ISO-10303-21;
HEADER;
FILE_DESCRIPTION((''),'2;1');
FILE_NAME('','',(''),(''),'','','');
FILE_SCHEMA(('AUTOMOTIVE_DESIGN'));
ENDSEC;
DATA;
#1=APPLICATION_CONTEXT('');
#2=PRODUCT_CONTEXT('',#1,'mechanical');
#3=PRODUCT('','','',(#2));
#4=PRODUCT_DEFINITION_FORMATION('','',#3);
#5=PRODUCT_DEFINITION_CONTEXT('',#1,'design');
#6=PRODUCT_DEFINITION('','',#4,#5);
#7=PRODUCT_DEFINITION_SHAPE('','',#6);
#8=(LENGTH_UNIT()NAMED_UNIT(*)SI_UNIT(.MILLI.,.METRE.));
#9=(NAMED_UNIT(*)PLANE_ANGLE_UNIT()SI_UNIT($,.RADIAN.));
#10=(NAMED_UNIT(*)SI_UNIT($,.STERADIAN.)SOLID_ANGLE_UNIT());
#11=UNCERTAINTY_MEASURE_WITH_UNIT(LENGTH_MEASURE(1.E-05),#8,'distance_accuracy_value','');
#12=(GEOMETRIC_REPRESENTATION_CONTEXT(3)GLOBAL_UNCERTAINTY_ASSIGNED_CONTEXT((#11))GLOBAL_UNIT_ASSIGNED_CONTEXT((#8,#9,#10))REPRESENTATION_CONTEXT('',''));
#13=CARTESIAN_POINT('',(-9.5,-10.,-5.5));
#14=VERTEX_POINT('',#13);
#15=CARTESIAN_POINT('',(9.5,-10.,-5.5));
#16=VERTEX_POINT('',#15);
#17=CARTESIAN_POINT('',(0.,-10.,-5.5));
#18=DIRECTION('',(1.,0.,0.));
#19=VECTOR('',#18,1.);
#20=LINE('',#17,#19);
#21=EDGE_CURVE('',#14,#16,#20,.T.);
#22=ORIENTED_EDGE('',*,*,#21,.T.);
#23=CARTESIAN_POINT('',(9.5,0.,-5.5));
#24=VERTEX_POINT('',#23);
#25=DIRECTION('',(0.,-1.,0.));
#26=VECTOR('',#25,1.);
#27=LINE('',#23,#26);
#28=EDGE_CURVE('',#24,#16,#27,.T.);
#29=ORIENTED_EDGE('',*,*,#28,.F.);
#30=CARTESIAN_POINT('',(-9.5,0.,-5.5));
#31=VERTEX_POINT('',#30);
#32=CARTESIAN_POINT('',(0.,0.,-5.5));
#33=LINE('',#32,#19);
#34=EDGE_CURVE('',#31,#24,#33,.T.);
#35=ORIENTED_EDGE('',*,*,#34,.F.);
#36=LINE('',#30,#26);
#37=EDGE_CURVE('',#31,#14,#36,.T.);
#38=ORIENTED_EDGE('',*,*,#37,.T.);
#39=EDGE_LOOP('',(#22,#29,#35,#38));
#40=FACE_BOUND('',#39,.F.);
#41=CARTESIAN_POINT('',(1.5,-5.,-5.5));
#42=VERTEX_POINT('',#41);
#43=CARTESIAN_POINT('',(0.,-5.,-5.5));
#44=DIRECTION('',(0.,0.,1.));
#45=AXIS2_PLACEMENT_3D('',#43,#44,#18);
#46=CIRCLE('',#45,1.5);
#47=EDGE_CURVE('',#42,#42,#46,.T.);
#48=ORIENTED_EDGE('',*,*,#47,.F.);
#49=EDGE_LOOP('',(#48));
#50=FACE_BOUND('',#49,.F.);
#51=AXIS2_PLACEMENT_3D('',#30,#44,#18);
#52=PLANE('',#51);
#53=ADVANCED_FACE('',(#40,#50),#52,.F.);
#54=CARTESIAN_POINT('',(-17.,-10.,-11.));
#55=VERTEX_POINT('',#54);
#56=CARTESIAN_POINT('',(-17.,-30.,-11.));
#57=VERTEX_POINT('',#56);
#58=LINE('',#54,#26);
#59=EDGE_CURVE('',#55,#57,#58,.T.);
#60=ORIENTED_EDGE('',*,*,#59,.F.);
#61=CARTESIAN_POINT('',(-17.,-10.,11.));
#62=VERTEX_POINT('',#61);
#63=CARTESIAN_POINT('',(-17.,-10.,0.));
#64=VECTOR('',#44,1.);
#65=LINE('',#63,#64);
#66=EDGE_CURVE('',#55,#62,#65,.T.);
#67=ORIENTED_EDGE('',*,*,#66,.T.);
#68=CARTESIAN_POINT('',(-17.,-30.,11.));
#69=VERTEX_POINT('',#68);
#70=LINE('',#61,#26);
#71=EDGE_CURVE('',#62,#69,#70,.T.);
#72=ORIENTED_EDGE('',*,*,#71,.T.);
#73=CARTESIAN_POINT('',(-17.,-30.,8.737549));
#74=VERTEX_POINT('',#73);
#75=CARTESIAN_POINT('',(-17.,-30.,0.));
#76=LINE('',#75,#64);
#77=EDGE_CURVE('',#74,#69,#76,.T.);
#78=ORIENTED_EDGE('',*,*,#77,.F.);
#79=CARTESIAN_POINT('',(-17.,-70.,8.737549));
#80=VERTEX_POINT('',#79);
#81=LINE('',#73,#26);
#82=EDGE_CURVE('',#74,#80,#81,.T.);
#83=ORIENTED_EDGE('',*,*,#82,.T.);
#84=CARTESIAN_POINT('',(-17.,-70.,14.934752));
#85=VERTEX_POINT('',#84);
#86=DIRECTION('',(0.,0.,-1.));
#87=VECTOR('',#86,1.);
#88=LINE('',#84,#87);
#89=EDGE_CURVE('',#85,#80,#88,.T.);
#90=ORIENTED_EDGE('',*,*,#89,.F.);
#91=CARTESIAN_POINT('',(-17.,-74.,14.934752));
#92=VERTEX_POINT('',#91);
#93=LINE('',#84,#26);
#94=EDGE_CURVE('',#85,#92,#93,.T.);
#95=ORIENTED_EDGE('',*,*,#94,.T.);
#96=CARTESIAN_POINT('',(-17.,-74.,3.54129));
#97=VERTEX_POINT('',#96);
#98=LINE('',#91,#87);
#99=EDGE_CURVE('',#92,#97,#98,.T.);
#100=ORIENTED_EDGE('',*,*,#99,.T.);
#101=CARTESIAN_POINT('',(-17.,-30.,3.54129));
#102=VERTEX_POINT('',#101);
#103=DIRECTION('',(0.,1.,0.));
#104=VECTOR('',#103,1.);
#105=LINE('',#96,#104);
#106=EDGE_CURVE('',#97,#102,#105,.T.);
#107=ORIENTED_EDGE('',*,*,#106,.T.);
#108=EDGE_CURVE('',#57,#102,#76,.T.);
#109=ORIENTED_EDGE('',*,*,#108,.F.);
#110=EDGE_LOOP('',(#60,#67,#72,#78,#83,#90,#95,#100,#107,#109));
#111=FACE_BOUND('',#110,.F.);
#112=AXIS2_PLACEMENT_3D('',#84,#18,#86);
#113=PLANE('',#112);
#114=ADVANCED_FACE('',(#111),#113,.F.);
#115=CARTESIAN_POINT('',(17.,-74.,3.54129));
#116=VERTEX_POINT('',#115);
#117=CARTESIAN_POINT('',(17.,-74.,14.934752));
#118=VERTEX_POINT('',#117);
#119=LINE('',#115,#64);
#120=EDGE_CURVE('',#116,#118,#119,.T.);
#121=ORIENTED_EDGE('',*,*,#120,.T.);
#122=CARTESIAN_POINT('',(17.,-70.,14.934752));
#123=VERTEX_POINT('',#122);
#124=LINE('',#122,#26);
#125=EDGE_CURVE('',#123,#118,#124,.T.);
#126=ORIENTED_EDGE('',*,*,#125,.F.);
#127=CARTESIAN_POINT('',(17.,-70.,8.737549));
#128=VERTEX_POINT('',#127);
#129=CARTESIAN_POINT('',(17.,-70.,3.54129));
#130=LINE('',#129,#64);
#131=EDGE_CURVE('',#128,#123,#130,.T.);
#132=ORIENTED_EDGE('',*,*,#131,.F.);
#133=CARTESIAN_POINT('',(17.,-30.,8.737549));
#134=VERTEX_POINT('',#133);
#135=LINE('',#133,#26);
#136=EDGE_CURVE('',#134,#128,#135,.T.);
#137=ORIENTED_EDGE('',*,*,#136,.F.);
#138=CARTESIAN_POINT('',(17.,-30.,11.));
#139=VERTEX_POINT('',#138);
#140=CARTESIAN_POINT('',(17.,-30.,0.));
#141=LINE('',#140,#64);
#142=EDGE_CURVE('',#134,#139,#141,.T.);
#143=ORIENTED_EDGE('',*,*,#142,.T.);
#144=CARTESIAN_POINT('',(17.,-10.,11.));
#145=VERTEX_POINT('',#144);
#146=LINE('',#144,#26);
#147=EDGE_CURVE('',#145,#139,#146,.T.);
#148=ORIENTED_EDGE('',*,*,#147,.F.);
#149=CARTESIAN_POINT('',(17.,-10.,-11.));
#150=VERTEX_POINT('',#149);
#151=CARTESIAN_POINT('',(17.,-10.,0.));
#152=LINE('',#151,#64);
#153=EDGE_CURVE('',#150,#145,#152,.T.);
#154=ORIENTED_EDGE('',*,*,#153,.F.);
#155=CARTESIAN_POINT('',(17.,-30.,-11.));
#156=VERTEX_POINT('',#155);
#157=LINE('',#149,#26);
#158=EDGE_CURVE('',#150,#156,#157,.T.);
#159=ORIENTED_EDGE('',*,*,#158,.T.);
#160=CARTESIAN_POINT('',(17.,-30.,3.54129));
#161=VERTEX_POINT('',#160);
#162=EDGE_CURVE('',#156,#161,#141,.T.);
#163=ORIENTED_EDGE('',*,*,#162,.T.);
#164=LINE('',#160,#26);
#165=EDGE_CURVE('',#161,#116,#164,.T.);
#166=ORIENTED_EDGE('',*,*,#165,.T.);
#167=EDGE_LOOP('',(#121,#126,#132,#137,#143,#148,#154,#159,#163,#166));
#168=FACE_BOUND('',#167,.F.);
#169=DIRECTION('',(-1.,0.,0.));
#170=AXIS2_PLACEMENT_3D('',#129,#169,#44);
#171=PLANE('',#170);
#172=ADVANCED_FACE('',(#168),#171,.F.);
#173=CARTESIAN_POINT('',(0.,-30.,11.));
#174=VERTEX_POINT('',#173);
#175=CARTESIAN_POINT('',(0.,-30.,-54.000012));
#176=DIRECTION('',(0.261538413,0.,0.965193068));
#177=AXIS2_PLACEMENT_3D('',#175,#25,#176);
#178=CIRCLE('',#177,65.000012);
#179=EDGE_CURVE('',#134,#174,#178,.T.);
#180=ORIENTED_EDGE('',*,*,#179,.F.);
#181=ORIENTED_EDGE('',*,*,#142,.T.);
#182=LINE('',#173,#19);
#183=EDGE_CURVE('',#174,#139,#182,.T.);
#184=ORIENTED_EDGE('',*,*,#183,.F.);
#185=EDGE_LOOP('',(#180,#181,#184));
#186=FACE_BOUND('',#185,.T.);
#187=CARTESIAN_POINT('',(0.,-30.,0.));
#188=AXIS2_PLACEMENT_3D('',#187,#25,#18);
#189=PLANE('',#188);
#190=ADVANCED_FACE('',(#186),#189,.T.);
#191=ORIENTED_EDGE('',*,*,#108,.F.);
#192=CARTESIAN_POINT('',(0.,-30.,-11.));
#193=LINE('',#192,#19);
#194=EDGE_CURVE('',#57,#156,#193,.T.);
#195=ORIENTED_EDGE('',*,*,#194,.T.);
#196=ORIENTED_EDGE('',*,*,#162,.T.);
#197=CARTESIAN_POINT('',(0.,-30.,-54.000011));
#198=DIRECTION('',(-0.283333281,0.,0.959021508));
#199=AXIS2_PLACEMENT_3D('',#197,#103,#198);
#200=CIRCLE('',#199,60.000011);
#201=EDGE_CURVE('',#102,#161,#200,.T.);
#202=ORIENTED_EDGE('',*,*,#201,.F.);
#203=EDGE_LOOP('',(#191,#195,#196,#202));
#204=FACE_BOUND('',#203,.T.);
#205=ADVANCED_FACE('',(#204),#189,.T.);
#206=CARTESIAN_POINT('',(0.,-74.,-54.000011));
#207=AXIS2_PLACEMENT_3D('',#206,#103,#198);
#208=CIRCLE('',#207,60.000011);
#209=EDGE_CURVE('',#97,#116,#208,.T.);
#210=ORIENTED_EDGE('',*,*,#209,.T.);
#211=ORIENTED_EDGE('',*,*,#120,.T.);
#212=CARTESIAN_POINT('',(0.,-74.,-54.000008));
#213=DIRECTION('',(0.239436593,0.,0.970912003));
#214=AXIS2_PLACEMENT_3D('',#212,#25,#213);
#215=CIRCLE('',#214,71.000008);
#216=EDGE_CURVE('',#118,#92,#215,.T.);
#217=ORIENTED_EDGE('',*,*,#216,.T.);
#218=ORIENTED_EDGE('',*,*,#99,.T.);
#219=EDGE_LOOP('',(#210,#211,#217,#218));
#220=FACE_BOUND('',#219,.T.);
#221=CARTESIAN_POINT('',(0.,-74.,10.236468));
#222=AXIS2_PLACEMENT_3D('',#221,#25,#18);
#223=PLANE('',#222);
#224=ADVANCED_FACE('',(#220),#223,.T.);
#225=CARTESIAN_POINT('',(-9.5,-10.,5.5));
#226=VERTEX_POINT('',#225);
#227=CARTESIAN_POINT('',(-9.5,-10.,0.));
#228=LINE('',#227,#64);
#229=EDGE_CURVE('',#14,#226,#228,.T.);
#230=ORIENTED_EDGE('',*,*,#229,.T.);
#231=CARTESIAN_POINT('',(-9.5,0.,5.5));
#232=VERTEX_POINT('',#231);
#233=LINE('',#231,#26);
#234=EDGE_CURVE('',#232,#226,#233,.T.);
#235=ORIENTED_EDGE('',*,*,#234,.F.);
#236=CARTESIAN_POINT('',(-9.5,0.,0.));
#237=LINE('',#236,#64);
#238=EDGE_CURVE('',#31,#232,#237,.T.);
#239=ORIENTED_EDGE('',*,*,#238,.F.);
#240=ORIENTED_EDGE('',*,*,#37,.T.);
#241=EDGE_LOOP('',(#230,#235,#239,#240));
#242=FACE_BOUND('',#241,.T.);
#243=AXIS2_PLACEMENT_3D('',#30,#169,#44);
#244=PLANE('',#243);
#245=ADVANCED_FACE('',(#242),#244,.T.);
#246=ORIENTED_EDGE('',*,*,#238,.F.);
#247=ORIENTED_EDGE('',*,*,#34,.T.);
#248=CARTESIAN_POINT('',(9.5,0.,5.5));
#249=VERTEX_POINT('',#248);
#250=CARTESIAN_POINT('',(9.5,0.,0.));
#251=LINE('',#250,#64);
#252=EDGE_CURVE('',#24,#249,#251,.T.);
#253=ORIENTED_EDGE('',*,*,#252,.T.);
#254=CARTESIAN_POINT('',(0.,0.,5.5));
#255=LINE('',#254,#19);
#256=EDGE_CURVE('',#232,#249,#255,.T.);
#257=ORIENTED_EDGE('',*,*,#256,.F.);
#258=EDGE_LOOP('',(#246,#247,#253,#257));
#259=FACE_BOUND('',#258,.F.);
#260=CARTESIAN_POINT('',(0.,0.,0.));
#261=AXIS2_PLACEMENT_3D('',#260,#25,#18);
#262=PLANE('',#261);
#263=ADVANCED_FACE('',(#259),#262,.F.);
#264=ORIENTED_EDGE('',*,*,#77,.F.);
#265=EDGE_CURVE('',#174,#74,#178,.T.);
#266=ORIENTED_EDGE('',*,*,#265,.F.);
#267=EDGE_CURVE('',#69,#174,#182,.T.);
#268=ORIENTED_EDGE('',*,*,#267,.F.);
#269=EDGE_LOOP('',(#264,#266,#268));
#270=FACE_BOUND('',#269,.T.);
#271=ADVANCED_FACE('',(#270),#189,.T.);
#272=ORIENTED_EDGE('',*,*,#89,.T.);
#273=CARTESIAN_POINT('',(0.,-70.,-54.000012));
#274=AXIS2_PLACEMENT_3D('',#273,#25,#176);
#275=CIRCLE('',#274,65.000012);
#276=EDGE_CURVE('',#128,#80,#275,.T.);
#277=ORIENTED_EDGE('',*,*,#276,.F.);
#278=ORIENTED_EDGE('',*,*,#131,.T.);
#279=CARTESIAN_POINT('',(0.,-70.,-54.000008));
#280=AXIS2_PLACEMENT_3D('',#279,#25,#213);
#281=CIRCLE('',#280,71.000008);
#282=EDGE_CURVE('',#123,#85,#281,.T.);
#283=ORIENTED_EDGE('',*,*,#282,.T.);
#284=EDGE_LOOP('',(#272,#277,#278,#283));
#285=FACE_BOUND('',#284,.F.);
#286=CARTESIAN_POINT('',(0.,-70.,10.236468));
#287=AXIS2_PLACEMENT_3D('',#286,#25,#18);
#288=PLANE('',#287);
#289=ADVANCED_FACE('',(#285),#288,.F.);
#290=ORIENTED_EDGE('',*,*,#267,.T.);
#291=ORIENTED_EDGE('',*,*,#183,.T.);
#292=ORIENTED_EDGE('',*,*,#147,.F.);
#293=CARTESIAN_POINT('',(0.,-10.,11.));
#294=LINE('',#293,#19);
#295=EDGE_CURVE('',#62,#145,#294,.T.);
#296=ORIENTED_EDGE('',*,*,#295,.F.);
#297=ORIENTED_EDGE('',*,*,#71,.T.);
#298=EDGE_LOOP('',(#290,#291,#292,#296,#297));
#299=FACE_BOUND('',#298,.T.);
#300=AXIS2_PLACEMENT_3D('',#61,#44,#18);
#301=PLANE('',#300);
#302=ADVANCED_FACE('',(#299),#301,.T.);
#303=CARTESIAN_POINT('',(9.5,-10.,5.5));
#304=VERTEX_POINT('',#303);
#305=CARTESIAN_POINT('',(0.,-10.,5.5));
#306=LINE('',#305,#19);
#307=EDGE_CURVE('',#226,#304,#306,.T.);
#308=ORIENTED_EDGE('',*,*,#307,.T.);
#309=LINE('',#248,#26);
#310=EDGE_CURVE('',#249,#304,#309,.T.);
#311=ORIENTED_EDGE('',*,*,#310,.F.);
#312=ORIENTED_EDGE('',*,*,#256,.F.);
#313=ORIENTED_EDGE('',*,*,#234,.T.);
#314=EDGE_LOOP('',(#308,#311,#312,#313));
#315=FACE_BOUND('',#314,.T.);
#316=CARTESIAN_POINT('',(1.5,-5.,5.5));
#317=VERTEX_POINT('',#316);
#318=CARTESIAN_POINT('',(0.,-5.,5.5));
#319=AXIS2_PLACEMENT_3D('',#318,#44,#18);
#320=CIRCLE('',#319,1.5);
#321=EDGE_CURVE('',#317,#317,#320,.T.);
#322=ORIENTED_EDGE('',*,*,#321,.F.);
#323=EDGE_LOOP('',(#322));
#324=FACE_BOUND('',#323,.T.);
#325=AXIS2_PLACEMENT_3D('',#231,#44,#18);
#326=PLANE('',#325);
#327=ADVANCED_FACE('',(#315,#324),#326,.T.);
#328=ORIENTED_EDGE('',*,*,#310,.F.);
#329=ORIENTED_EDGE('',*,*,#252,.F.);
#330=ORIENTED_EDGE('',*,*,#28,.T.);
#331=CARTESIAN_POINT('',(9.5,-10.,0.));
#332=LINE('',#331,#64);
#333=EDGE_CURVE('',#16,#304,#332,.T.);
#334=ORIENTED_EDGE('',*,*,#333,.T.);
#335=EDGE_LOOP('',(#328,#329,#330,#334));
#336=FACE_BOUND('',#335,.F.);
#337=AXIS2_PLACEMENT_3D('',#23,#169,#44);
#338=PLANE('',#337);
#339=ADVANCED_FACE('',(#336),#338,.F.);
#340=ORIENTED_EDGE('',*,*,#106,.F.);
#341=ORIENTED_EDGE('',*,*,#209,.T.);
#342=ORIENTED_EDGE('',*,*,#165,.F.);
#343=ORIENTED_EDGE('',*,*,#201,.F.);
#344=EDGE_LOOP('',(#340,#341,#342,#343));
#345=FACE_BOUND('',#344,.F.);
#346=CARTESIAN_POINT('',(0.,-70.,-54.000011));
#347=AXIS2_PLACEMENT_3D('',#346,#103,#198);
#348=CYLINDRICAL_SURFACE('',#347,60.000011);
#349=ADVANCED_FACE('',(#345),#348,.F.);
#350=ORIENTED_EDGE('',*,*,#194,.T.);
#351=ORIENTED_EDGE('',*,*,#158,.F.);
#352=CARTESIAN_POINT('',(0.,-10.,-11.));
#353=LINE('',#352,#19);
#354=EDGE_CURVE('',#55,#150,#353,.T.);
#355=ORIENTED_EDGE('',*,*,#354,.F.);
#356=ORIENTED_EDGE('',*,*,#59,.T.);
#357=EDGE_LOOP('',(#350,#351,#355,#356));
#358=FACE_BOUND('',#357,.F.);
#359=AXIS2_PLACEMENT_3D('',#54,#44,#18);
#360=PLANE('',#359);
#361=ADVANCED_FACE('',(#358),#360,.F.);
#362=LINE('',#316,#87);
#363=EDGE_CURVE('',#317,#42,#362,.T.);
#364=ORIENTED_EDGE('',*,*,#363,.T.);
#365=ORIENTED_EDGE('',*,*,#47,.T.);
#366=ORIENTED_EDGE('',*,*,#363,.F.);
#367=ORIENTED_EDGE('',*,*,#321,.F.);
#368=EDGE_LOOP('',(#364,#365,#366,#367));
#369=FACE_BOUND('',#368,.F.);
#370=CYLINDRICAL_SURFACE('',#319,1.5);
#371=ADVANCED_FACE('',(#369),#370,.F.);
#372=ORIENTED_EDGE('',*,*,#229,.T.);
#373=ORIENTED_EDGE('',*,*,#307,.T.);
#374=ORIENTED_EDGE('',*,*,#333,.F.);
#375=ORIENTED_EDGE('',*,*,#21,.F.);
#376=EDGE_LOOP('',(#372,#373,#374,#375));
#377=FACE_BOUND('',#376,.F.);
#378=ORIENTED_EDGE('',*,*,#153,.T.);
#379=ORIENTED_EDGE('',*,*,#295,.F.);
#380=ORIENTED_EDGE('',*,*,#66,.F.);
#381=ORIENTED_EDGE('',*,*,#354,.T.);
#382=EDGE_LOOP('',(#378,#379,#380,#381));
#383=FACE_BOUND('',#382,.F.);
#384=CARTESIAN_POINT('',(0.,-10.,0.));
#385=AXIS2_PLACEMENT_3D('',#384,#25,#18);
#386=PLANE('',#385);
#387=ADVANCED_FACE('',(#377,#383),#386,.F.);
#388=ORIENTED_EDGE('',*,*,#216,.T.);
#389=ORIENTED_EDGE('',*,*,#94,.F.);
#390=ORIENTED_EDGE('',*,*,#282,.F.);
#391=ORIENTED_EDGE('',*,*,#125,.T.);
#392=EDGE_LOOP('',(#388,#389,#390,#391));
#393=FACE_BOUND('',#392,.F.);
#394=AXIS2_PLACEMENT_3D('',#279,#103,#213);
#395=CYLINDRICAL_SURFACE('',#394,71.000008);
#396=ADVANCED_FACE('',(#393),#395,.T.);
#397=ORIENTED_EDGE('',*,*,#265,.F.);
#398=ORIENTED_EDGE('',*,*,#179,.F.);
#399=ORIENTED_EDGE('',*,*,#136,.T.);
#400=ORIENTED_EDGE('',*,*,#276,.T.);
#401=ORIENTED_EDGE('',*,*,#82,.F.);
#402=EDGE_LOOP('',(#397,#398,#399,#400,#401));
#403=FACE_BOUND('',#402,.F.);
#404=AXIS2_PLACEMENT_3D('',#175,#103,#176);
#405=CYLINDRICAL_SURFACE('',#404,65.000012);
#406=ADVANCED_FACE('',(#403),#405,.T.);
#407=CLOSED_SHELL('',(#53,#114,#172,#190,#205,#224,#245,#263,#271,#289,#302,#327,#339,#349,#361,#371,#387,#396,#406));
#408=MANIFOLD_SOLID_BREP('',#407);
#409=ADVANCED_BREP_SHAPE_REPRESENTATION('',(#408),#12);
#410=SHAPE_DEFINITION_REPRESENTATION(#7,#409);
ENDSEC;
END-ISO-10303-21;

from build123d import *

# Parameters (mm, degrees)
F0_W     = 19
F0_H     = 11
F1_DEPTH = 10
F2_W     = 34
F2_H     = 22
F3_DEPTH = 20
F5_DEPTH = 40
F7_DEPTH = 4
F8_R     = 1.5
F9_DEPTH = 16.501


with BuildPart() as f1:
    # F0 (on Front) → F1 (new body)
    with BuildSketch(Plane.XZ):
        Rectangle(F0_W, F0_H)
    extrude(amount=F1_DEPTH)

    # F2 (on face) → F3 (join)
    with BuildSketch(Plane.XZ.offset(10)):
        Rectangle(F2_W, F2_H)
    extrude(amount=F3_DEPTH)

    # F4 (on face) → F5 (join)
    with BuildSketch(Plane.XZ.offset(30)):
        with BuildLine():
            Line((17, 3.54129), (17, 8.737549))
            ThreePointArc((17, 8.737549), (0, 11), (-17, 8.737549))
            Line((-17, 8.737549), (-17, 3.54129))
            ThreePointArc((-17, 3.54129), (0, 6), (17, 3.54129))
        make_face()
    extrude(amount=F5_DEPTH)

    # F6 (on face) → F7 (join)
    with BuildSketch(Plane.XZ.offset(70)):
        with BuildLine():
            Line((-17, 8.737549), (-17, 3.54129))
            ThreePointArc((-17, 3.54129), (0, 6), (17, 3.54129))
            Line((17, 3.54129), (17, 8.737549))
            Line((17, 8.737549), (17, 14.934752))
            ThreePointArc((17, 14.934752), (0, 17), (-17, 14.934752))
            Line((-17, 14.934752), (-17, 8.737549))
        make_face()
    extrude(amount=F7_DEPTH)

    # F8 (on face) → F9 (cut, through all)
    with BuildSketch(Plane.XY.offset(5.5)):
        with Locations((0, -5)):
            Circle(F8_R)
    extrude(amount=-F9_DEPTH, mode=Mode.SUBTRACT)


solid = f1.part
